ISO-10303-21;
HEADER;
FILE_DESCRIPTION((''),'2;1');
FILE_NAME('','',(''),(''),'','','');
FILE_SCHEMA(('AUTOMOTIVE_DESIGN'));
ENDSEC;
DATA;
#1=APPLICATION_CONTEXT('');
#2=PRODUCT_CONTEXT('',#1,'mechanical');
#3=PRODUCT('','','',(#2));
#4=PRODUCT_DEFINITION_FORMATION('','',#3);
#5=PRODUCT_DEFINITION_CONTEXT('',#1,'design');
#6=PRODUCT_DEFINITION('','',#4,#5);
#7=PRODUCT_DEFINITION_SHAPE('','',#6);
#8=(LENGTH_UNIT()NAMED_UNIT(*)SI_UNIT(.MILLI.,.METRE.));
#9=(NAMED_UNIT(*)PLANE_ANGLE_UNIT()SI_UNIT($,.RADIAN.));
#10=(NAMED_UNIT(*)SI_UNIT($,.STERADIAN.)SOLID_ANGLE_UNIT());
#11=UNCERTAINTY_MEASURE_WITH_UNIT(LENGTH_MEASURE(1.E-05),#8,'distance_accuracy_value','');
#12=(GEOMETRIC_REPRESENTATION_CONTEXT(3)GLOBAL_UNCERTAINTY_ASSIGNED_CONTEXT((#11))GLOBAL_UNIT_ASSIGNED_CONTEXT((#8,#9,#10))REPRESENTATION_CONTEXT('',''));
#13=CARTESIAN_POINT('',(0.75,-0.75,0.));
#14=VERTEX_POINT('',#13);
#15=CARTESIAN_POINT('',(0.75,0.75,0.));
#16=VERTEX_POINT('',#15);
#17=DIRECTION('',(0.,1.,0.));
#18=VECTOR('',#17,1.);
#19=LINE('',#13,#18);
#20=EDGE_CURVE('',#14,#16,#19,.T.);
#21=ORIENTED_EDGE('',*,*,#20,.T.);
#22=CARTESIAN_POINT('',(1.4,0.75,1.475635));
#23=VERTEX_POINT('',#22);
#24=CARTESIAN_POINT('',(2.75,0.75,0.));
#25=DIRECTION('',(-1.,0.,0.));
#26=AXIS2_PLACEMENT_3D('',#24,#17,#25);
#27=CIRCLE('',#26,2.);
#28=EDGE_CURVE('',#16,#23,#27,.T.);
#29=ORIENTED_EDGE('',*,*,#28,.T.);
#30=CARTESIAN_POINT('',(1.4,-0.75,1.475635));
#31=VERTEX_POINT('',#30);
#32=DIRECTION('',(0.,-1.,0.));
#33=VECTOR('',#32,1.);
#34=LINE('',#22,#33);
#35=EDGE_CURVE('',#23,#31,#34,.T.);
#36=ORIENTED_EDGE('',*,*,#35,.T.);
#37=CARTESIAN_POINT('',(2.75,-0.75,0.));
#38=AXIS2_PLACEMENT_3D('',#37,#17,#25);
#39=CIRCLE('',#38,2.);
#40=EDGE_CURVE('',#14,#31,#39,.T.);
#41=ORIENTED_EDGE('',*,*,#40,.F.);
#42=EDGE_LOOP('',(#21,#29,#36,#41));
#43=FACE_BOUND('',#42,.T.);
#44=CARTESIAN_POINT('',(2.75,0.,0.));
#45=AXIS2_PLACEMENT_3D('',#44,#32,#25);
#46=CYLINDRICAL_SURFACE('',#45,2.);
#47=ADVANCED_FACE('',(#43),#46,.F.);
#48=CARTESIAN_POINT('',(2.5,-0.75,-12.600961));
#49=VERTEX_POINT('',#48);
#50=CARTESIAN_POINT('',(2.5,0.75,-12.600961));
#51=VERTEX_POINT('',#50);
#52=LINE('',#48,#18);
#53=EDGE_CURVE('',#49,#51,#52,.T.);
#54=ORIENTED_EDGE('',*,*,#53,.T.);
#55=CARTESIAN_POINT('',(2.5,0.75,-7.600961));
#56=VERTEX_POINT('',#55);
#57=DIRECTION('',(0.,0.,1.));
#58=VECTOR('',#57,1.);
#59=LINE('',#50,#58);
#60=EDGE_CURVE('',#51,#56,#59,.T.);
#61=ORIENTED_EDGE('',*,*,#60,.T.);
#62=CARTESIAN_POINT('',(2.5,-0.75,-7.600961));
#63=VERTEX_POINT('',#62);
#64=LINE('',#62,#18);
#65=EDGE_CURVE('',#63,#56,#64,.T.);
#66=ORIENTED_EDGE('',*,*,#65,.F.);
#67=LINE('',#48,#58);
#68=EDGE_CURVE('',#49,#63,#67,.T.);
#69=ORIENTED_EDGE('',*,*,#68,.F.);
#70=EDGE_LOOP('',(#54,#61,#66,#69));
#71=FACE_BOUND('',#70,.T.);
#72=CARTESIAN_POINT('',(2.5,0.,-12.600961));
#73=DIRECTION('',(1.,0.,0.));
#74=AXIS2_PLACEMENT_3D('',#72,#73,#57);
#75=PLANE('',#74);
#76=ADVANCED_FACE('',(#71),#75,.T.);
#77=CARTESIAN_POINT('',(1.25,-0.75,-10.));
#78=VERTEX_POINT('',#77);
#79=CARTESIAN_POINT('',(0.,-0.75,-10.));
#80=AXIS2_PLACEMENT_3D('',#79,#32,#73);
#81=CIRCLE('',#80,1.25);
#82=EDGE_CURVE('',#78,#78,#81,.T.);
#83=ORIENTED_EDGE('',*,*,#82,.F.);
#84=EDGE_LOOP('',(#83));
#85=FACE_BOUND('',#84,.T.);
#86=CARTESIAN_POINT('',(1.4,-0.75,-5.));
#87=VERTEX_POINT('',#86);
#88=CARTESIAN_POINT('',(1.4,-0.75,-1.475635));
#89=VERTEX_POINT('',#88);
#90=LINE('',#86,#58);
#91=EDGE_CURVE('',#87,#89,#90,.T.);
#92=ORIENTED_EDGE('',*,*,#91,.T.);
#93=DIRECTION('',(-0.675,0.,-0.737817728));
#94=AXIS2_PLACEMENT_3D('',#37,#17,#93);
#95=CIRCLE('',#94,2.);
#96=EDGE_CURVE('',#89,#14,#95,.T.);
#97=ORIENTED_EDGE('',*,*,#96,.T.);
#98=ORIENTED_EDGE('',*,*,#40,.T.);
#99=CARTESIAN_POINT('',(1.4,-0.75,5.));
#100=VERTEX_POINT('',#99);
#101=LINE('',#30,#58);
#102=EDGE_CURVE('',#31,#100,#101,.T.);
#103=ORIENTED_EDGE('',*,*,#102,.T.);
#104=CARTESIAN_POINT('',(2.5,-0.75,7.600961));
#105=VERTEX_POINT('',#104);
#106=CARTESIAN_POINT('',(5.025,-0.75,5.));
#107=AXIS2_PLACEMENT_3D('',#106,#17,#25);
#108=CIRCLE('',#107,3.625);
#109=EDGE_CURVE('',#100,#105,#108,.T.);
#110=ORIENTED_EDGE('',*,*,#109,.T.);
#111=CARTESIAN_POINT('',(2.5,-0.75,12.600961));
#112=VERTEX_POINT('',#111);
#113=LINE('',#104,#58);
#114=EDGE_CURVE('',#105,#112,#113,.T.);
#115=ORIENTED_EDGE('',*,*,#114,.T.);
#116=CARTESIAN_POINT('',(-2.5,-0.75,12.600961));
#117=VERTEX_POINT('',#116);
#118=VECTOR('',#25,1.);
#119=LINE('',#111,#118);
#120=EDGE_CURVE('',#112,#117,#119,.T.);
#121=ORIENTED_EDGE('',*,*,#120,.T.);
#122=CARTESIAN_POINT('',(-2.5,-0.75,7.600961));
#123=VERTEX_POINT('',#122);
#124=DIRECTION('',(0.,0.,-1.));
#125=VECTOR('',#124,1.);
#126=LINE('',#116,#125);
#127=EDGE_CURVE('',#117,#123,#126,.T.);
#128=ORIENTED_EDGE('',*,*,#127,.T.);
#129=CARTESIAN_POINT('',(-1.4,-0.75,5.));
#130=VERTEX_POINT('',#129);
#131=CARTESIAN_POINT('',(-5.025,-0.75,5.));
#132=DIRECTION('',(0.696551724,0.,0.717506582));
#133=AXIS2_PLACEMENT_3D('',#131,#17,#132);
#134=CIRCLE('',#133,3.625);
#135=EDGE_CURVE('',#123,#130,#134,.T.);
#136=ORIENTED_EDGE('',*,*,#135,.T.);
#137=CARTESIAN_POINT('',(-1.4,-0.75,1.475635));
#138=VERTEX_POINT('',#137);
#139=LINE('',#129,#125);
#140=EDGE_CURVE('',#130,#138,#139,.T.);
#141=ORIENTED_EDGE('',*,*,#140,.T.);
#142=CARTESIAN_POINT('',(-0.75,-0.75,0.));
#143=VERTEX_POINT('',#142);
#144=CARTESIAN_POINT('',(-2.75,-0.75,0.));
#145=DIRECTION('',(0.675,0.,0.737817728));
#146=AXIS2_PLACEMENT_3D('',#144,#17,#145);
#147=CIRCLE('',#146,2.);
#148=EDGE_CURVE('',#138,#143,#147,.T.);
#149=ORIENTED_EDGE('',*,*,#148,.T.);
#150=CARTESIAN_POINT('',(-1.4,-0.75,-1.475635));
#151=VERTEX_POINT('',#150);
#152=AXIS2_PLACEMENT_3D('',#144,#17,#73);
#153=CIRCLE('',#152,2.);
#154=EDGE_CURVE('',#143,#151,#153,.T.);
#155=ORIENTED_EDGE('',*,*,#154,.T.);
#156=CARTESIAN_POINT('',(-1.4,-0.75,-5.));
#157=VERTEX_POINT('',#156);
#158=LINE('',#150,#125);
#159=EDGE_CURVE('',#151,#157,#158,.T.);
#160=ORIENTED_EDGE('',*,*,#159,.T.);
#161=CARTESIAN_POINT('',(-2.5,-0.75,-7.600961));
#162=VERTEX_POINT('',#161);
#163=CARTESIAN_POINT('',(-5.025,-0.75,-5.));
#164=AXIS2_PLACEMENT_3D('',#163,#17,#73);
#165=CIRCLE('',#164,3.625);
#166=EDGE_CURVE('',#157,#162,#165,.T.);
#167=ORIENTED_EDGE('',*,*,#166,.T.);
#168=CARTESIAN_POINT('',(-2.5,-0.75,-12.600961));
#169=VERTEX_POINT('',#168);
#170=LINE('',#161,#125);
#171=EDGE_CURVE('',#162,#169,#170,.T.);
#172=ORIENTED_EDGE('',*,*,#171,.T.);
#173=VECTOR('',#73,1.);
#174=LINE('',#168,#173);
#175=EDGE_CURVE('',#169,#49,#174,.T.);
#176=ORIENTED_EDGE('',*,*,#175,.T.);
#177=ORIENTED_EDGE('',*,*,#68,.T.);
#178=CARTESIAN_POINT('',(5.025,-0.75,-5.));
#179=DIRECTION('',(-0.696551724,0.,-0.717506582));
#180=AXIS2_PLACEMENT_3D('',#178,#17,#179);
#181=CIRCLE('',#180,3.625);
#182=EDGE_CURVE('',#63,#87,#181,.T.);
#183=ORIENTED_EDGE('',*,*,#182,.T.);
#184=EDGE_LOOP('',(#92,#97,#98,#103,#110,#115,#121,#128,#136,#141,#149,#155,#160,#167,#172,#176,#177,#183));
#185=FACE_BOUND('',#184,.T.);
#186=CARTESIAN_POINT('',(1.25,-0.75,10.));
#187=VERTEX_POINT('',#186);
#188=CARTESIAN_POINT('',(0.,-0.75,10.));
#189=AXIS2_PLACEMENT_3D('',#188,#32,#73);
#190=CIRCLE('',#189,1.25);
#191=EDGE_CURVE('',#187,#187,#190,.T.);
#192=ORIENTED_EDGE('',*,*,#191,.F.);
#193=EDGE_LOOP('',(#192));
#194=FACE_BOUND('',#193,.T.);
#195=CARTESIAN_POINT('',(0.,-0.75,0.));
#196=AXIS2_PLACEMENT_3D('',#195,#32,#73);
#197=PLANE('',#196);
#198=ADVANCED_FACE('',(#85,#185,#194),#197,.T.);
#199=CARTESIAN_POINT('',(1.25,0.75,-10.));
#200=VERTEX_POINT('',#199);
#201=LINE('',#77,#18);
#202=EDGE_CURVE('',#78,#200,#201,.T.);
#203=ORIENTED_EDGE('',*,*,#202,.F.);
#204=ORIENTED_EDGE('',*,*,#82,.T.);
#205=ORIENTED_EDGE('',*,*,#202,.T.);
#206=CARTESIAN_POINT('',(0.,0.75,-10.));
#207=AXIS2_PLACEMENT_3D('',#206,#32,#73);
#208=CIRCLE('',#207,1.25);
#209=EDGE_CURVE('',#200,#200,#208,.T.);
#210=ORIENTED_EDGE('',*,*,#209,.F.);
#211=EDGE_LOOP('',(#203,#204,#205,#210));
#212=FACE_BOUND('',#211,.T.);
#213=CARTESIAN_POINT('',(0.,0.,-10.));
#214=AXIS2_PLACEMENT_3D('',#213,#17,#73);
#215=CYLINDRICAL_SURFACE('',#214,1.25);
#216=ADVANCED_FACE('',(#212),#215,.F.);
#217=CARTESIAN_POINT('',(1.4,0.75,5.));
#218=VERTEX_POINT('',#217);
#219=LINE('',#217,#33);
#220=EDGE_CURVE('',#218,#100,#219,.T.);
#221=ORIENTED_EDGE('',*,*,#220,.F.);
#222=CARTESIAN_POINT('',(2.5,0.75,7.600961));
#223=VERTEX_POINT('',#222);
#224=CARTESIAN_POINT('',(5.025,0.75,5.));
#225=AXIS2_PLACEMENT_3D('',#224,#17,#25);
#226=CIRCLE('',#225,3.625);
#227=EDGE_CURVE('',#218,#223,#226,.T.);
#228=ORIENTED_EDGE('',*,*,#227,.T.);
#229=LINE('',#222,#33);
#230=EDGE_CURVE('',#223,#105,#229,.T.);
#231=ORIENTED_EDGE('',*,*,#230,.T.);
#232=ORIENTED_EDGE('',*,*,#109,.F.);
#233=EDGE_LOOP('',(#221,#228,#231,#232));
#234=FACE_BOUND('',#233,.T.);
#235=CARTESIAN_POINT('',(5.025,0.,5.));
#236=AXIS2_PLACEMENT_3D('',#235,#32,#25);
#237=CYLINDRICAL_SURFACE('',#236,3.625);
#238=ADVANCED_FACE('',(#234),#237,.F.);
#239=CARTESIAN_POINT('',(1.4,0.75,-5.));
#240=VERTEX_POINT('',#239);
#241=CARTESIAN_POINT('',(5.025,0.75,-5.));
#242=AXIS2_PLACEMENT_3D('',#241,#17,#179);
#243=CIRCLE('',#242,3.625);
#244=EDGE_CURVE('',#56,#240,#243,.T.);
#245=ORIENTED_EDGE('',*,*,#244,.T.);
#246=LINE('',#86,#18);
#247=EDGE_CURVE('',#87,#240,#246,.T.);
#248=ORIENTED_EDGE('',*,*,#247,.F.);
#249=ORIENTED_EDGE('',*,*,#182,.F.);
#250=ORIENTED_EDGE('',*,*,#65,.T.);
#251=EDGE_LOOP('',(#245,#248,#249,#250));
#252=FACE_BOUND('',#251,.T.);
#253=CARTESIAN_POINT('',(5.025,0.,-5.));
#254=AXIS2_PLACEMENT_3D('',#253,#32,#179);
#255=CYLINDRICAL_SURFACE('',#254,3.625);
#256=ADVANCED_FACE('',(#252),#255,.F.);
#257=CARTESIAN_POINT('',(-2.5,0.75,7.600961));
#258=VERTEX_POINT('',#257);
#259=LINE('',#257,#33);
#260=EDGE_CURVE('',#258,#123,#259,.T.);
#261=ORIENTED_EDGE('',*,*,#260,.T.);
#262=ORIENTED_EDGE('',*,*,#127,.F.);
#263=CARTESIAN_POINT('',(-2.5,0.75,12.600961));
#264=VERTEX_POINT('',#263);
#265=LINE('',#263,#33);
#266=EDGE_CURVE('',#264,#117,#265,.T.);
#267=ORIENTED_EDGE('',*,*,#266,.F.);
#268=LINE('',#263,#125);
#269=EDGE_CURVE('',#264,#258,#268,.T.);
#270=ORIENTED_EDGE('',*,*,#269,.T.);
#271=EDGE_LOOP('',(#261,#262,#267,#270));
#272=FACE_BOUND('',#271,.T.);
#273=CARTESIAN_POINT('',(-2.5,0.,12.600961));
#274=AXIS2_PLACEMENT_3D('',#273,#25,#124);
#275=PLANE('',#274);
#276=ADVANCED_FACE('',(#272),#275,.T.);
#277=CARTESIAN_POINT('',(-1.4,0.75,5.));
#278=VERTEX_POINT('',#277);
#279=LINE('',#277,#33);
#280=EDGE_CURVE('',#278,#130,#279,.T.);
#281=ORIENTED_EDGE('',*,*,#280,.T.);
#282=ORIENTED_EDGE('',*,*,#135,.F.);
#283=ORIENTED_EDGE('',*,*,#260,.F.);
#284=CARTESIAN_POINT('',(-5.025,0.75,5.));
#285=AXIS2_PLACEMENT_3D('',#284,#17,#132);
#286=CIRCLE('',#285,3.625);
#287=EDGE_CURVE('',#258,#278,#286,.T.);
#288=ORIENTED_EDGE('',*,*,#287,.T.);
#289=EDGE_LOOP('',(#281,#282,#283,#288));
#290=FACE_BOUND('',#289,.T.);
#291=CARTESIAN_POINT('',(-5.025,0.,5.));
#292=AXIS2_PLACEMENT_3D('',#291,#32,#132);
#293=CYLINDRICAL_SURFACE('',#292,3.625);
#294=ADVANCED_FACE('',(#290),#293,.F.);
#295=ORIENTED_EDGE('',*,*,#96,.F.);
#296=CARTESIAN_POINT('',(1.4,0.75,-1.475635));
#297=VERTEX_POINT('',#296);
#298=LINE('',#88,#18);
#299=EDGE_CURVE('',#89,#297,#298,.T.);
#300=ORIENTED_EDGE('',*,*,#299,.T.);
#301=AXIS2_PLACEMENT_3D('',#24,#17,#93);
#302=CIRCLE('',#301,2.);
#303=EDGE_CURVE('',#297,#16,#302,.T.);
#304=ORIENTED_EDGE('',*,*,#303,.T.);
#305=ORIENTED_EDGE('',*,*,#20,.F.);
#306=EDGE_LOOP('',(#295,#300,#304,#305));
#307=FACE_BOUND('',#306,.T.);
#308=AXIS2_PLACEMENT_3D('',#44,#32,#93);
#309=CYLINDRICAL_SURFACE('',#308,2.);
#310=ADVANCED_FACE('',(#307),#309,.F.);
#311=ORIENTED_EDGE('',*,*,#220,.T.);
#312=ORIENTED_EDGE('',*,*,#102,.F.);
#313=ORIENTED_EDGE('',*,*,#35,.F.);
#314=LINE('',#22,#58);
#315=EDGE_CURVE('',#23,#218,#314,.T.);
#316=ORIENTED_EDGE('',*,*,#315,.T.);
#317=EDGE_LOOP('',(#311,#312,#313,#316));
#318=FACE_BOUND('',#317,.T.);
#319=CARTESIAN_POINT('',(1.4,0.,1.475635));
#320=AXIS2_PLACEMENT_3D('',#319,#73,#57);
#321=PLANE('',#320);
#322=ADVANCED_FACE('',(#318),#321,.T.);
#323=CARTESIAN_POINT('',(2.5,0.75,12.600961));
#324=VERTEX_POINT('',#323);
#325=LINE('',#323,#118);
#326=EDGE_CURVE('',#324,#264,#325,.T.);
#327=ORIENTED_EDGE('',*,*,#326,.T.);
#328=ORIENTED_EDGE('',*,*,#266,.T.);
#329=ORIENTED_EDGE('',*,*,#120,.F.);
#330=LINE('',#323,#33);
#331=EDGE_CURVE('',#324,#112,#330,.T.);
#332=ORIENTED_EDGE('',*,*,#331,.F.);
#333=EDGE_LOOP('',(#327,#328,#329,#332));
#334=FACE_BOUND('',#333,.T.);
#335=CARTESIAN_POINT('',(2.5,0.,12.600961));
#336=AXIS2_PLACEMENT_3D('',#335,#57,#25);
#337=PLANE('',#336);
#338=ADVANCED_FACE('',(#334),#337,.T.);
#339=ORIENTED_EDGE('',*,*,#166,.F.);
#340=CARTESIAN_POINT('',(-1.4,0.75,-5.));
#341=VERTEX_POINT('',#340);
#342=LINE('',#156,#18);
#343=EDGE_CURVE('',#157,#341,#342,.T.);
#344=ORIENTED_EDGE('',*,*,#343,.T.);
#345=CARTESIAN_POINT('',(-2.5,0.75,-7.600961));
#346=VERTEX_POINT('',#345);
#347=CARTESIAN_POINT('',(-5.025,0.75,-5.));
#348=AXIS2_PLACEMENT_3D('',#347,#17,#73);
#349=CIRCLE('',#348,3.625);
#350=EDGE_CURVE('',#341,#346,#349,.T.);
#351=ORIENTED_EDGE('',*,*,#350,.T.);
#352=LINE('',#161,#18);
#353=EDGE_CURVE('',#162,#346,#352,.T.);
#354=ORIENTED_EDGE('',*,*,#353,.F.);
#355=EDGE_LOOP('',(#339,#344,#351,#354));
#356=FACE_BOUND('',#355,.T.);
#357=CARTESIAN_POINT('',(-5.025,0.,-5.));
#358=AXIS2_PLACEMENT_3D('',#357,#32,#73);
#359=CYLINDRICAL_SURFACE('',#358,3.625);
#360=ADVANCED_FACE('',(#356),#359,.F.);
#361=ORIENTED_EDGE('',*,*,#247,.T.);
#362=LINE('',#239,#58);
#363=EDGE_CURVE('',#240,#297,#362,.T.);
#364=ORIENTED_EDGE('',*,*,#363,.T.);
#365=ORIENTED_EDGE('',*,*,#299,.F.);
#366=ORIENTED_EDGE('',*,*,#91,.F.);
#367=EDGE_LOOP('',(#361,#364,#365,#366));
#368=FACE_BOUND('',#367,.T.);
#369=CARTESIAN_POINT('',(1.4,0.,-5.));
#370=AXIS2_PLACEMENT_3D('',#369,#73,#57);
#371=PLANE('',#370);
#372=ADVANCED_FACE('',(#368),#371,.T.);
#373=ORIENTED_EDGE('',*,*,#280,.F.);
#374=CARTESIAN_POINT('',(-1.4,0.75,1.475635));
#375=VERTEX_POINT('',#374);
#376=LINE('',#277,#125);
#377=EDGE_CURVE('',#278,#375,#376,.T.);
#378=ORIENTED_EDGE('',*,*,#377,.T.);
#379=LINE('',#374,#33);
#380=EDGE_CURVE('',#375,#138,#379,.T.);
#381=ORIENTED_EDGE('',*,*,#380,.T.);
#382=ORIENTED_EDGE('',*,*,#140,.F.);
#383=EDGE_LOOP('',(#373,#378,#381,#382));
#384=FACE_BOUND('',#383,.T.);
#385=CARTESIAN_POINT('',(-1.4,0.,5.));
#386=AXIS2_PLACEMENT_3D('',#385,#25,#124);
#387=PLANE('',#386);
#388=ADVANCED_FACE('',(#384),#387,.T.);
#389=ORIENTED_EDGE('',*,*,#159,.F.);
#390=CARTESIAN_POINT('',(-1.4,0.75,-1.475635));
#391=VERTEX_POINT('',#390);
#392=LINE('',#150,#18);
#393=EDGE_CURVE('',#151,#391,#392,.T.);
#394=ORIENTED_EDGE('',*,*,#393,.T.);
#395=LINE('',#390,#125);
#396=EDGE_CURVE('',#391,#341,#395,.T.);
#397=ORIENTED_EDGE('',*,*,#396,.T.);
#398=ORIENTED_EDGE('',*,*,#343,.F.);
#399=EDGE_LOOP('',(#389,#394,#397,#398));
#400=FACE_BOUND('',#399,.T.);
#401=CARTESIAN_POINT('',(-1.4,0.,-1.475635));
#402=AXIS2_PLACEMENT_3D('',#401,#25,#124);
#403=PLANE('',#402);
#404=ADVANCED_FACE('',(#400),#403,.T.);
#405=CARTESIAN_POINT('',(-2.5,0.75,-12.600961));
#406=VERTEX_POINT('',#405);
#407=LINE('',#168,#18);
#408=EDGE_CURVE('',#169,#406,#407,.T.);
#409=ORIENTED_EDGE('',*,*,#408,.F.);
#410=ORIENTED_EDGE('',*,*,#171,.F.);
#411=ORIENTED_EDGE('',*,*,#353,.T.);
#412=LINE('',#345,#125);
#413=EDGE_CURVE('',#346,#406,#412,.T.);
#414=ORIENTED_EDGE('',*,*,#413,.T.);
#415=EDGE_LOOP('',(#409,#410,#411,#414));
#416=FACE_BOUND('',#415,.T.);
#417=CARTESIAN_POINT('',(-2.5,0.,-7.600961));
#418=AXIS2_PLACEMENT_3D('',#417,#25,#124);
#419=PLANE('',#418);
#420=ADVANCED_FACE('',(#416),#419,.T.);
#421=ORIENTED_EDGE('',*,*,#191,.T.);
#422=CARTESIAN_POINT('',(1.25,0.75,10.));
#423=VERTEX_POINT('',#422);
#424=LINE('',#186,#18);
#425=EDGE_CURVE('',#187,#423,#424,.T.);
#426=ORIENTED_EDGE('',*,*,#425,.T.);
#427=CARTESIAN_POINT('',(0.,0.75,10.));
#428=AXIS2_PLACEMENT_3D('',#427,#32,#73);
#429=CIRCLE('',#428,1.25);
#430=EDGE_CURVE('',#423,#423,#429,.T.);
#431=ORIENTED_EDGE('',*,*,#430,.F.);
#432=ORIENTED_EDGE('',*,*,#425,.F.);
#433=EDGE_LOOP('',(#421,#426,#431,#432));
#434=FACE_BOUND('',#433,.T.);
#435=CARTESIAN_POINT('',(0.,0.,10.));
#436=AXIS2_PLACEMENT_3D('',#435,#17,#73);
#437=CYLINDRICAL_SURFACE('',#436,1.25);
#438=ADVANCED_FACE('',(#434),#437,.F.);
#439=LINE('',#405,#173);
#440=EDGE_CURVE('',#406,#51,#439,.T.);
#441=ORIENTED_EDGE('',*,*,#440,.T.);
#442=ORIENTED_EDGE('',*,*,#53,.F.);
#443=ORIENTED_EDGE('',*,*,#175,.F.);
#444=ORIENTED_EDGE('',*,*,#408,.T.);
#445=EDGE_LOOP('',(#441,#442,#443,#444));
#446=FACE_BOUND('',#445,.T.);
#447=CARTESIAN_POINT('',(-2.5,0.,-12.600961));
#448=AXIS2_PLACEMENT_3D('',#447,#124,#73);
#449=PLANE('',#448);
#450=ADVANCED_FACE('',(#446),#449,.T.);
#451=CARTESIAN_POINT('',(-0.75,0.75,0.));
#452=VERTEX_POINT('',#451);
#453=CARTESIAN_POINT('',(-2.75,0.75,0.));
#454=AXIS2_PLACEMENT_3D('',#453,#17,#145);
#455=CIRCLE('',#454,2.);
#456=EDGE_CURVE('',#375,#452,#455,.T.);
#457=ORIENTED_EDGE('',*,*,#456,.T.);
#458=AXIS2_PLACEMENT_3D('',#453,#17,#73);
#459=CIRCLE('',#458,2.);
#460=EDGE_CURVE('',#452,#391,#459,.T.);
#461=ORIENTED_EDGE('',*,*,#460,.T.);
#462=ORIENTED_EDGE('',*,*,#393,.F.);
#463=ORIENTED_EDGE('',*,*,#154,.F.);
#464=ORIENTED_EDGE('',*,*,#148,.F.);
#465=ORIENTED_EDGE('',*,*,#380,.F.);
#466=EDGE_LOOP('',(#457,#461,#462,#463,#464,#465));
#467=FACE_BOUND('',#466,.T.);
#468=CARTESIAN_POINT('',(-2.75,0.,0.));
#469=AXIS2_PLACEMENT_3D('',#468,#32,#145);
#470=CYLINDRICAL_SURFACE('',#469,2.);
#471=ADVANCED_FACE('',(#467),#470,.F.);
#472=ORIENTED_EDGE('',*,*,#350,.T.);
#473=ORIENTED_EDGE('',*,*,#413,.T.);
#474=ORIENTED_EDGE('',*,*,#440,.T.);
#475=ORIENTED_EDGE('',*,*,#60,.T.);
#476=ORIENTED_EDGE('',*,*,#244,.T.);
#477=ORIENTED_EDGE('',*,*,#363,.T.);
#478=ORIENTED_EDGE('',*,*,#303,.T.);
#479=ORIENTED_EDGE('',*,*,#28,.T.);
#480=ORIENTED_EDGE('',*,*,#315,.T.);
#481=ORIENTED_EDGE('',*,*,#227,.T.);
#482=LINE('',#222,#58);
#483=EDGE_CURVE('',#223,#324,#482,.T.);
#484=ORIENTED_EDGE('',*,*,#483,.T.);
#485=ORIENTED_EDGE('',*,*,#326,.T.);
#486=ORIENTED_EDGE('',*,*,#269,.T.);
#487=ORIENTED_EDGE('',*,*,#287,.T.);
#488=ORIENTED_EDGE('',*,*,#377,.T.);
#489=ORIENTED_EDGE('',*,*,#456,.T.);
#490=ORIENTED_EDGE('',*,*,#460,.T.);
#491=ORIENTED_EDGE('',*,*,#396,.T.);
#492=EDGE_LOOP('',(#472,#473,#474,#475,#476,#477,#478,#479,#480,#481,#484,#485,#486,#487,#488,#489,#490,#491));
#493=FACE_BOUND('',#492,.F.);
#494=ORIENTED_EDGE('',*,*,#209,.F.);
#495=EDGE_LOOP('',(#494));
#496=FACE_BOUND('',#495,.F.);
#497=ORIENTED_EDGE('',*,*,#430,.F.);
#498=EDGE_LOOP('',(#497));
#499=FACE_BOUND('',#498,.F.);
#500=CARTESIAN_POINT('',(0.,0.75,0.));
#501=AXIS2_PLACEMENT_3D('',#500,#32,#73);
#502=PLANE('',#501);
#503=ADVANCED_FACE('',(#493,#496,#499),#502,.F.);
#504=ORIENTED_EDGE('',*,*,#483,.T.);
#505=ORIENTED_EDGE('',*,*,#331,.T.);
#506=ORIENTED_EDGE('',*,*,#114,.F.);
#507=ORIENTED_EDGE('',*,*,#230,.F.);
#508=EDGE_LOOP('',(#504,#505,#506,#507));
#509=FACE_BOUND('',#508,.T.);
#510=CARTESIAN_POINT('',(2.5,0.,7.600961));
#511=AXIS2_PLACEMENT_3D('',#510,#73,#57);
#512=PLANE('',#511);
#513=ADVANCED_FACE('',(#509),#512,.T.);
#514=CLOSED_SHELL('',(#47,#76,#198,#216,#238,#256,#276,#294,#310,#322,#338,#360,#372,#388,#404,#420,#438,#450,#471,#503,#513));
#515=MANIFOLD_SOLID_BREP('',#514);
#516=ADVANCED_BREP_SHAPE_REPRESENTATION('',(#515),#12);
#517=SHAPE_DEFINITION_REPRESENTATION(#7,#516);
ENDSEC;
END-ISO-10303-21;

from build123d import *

# Parameters (mm, degrees)
F1_R     = 1.25
F2_DEPTH = 0.75


with BuildPart() as f2:
    # F1 (on Front) → F2 (new body, symmetric)
    with BuildSketch(Plane.XZ):
        with BuildLine():
            ThreePointArc((0.75, 0), (0.9196994782, 0.8062257748), (1.4, 1.4756354563))
            Line((1.4, 1.4756354563), (1.4, 5))
            ThreePointArc((1.4, 5), (1.6863063932, 6.4120021246), (2.5, 7.6009613607))
            Line((2.5, 7.6009613607), (2.5, 12.6009613607))
            Line((2.5, 12.6009613607), (0, 12.6009613607))
            Line((0, 12.6009613607), (-2.5, 12.6009613607))
            Line((-2.5, 12.6009613607), (-2.5, 7.6009613607))
            ThreePointArc((-2.5, 7.6009613607), (-1.6863063932, 6.4120021246), (-1.4, 5))
            Line((-1.4, 5), (-1.4, 1.4756354563))
            ThreePointArc((-1.4, 1.4756354563), (-0.9196994782, 0.8062257748), (-0.75, 0))
            ThreePointArc((-0.75, 0), (-0.9196994782, -0.8062257748), (-1.4, -1.4756354563))
            Line((-1.4, -1.4756354563), (-1.4, -5))
            ThreePointArc((-1.4, -5), (-1.6863063932, -6.4120021246), (-2.5, -7.6009613607))
            Line((-2.5, -7.6009613607), (-2.5, -12.6009613607))
            Line((-2.5, -12.6009613607), (0, -12.6009613607))
            Line((0, -12.6009613607), (2.5, -12.6009613607))
            Line((2.5, -12.6009613607), (2.5, -7.6009613607))
            ThreePointArc((2.5, -7.6009613607), (1.6863063932, -6.4120021246), (1.4, -5))
            Line((1.4, -5), (1.4, -1.4756354563))
            ThreePointArc((1.4, -1.4756354563), (0.9196994782, -0.8062257748), (0.75, 0))
        make_face()
        with Locations((0, -10)):
            Circle(F1_R, mode=Mode.SUBTRACT)
        with Locations((0, 10)):
            Circle(F1_R, mode=Mode.SUBTRACT)
    extrude(amount=F2_DEPTH, both=True)


solid = f2.part
